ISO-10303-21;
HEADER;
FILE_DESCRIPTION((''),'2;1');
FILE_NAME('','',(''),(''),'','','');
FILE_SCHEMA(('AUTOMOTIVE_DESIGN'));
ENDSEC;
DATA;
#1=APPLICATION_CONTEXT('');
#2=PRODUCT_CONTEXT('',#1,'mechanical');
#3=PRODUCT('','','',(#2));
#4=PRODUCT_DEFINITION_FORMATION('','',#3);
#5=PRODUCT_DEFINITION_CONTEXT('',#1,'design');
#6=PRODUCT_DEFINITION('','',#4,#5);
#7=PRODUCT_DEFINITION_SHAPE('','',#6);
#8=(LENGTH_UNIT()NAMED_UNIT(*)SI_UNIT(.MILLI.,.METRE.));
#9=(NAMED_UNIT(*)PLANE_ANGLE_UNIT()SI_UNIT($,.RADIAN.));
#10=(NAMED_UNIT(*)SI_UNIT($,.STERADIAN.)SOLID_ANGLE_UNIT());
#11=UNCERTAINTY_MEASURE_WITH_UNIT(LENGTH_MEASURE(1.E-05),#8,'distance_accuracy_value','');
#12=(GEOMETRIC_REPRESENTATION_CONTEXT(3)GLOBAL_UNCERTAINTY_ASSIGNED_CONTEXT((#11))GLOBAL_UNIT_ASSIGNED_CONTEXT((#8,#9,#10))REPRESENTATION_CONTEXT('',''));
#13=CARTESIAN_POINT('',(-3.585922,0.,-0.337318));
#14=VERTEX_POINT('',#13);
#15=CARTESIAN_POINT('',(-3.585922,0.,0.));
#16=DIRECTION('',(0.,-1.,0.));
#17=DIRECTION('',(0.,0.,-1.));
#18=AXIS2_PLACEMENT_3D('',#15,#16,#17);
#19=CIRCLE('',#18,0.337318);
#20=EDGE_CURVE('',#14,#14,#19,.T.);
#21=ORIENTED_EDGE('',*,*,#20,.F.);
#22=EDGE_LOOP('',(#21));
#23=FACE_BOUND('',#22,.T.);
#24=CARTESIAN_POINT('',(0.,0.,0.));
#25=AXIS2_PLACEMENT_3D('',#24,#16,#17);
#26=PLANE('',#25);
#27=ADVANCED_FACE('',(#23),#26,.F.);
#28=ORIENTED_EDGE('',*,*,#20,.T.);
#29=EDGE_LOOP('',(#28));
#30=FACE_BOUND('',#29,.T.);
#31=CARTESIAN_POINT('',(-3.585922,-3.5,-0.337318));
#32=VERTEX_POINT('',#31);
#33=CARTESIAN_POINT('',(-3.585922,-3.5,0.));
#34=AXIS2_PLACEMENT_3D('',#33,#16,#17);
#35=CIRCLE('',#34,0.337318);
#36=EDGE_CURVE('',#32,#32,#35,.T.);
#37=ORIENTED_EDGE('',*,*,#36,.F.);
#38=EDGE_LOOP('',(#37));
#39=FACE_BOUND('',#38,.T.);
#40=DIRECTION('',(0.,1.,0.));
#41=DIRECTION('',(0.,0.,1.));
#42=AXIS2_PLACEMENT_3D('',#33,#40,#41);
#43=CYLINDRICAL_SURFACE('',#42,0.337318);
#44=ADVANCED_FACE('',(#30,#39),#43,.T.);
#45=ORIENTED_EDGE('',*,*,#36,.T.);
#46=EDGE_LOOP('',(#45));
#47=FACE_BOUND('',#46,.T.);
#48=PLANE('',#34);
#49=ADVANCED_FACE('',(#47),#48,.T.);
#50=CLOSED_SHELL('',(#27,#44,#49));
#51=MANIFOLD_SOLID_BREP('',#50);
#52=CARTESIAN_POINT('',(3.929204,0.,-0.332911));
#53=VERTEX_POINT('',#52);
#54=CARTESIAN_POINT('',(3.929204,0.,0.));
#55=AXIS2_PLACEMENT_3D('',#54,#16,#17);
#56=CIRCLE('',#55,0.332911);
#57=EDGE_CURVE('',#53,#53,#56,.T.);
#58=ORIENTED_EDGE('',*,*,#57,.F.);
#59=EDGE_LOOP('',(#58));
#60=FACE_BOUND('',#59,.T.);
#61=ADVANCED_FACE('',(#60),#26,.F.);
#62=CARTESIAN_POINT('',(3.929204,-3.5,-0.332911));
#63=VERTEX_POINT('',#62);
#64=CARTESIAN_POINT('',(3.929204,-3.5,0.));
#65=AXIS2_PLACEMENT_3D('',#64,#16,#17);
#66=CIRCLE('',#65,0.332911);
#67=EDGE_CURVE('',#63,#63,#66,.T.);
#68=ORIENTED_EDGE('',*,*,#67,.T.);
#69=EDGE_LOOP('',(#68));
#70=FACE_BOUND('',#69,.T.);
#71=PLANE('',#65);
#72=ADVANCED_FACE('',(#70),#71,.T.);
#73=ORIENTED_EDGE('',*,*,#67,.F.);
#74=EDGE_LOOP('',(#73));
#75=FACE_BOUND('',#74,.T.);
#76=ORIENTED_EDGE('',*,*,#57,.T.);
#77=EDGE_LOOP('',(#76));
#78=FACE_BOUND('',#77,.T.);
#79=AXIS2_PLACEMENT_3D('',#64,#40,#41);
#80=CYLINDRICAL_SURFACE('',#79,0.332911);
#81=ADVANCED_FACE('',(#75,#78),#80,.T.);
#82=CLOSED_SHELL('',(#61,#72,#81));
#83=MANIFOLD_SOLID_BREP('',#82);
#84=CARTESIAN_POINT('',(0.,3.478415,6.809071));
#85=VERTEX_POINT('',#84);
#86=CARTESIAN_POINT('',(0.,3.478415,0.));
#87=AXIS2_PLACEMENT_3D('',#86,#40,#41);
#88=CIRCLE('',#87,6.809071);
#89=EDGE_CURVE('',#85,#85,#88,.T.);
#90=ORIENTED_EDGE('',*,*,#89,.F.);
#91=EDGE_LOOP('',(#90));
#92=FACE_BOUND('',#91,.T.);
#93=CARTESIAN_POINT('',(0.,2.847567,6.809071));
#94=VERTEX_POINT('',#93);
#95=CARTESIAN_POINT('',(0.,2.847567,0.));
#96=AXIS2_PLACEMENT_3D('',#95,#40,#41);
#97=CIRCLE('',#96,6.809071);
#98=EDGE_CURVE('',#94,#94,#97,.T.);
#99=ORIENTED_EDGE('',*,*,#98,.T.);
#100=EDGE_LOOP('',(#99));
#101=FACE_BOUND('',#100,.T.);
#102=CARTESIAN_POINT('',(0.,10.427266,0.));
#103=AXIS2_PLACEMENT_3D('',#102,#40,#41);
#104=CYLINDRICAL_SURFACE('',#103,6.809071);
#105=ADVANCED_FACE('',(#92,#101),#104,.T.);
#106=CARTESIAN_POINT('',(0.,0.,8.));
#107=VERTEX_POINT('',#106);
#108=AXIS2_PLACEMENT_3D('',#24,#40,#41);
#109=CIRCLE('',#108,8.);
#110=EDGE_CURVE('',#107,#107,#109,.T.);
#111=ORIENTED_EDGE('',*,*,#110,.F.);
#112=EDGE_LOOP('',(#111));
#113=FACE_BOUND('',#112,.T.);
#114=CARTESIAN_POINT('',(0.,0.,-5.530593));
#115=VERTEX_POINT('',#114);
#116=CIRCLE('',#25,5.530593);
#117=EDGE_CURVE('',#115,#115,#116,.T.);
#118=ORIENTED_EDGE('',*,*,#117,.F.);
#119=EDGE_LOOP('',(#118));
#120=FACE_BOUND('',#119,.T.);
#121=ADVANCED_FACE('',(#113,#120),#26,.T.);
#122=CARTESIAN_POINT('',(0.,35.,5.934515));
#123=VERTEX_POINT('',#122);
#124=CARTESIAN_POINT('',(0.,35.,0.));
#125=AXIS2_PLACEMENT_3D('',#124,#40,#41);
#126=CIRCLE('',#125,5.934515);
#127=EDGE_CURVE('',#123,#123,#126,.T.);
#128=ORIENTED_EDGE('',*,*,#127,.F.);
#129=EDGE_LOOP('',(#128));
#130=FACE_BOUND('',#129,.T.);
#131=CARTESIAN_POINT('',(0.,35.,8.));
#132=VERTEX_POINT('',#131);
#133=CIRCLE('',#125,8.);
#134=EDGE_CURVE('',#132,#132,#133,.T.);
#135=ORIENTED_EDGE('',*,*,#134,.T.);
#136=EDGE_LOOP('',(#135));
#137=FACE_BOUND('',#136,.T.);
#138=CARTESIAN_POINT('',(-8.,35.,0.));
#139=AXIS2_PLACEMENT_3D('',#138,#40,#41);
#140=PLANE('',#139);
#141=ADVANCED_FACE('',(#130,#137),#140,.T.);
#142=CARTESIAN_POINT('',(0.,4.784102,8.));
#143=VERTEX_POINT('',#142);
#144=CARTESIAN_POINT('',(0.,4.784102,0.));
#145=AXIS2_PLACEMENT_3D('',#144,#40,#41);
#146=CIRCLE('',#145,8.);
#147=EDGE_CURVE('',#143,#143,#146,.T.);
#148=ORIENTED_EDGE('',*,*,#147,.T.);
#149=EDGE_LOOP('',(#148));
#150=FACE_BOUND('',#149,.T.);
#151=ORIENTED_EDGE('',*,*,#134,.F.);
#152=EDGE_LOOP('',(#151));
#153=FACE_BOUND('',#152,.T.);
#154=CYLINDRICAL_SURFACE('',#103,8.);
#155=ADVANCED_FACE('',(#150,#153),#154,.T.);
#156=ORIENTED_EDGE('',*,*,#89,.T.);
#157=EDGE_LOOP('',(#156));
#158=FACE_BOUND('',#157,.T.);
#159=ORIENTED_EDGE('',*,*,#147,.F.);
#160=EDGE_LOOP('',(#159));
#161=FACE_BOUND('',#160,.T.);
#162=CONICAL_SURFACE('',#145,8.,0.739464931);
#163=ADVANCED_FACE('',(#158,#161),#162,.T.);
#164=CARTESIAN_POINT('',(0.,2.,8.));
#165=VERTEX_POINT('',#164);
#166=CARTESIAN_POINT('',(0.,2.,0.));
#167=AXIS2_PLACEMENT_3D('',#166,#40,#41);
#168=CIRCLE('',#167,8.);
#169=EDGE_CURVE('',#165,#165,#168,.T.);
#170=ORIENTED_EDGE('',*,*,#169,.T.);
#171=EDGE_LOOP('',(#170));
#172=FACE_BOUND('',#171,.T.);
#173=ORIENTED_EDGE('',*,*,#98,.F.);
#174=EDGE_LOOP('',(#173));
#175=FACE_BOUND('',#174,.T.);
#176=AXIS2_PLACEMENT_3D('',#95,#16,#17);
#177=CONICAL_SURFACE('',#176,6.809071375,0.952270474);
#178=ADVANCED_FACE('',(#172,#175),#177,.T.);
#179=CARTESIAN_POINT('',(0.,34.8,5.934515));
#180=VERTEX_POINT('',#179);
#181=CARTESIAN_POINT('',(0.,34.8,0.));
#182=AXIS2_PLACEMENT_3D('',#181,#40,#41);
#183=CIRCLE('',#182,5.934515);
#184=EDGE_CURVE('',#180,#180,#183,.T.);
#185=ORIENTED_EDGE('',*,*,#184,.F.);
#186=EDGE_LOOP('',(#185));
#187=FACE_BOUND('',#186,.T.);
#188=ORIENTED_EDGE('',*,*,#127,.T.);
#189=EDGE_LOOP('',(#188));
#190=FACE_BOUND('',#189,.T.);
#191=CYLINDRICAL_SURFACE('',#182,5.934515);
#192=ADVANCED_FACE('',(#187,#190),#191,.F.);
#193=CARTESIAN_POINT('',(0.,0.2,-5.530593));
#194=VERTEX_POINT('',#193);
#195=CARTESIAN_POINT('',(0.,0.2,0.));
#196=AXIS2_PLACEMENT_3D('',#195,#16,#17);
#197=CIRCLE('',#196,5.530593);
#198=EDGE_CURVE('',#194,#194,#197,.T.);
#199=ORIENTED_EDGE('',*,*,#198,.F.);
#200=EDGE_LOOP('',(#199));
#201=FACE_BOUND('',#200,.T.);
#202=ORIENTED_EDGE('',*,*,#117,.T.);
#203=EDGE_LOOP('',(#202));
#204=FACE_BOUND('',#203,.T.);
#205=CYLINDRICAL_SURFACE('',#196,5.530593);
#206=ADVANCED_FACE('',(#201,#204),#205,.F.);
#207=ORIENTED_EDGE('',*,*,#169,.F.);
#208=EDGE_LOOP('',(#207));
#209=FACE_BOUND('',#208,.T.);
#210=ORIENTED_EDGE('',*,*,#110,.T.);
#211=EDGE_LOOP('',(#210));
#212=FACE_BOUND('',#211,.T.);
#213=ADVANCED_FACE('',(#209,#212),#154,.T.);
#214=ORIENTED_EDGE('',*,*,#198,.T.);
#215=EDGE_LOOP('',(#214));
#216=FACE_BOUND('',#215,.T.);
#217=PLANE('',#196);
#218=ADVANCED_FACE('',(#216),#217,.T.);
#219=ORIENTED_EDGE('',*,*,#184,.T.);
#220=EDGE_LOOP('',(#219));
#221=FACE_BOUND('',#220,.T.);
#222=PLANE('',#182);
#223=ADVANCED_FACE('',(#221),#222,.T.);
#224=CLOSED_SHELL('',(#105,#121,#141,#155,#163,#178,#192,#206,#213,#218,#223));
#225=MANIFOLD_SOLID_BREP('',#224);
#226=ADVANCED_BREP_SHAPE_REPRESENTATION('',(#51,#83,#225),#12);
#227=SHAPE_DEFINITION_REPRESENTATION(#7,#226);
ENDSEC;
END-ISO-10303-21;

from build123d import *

# Parameters (mm, degrees)
SKETCH_2_R          = 0.337317786
SKETCH_2_R_2        = 0.332910614
EXTRUDE_1_DEPTH     = 3.5
SKETCH_3_R          = 5.93451457
CUT_EXTRUDE_1_DEPTH = 0.2
SKETCH_4_R          = 5.530592895
CUT_EXTRUDE_2_DEPTH = 0.2


with BuildPart() as part:
    # 草图1 → 旋转1 (revolve)
    with BuildSketch(Plane.XY, mode=Mode.PRIVATE) as revolve_1_sk:
        Polygon((0, 0), (-8, 0), (-8, 2), (-6.809071375, 2.84756708), (-6.809071375, 3.478415102), (-8, 4.78410207), (-8, 35), (0, 35), align=None)
    revolve(revolve_1_sk.sketch.rotate(Axis((0, 10.427265959, 0), (0, -1, 0)), 270), axis=Axis((0, 10.427265959, 0), (0, -1, 0)))

    # 草图2 → 凸台-拉伸1 (add)
    with BuildSketch(Plane.XZ):
        with Locations(Location((-3.585921992, 0, 0), (0, 0, 270))):
            Circle(SKETCH_2_R)
        with Locations(Location((3.929204485, 0, 0), (0, 0, 270))):
            Circle(SKETCH_2_R_2)
    extrude(amount=EXTRUDE_1_DEPTH)

    # 草图3 → 切除-拉伸1 (cut)
    with BuildSketch(Plane(origin=(0, 35, 0), x_dir=(1, 0, 0), z_dir=(0, 1, 0))):
        with Locations(Location((0, 0, 0), (0, 0, 270))):
            Circle(SKETCH_3_R)
    extrude(amount=-CUT_EXTRUDE_1_DEPTH, mode=Mode.SUBTRACT)

    # 草图4 → 切除-拉伸2 (cut)
    with BuildSketch(Plane.XZ):
        with Locations(Location((0, 0, 0), (0, 0, 270))):
            Circle(SKETCH_4_R)
    extrude(amount=-CUT_EXTRUDE_2_DEPTH, mode=Mode.SUBTRACT)


with BuildPart() as cut_extrude_2_piece_1:
    # of the separate pieces the step leaves, piece 1, a body of its own (cut_extrude_2_pieces)
    add(part.part.solids().sort_by_distance((0, 0, 8))[0])


with BuildPart() as cut_extrude_2_piece_2:
    # of the separate pieces the step leaves, piece 2, a body of its own (cut_extrude_2_pieces)
    add(part.part.solids().sort_by_distance((-3.585921992, 0, -0.337317786))[0])


with BuildPart() as cut_extrude_2_piece_3:
    # of the separate pieces the step leaves, piece 3, a body of its own (cut_extrude_2_pieces)
    add(part.part.solids().sort_by_distance((3.929204485, 0, -0.332910614))[0])


solid = Compound([cut_extrude_2_piece_1.part, cut_extrude_2_piece_2.part, cut_extrude_2_piece_3.part])
